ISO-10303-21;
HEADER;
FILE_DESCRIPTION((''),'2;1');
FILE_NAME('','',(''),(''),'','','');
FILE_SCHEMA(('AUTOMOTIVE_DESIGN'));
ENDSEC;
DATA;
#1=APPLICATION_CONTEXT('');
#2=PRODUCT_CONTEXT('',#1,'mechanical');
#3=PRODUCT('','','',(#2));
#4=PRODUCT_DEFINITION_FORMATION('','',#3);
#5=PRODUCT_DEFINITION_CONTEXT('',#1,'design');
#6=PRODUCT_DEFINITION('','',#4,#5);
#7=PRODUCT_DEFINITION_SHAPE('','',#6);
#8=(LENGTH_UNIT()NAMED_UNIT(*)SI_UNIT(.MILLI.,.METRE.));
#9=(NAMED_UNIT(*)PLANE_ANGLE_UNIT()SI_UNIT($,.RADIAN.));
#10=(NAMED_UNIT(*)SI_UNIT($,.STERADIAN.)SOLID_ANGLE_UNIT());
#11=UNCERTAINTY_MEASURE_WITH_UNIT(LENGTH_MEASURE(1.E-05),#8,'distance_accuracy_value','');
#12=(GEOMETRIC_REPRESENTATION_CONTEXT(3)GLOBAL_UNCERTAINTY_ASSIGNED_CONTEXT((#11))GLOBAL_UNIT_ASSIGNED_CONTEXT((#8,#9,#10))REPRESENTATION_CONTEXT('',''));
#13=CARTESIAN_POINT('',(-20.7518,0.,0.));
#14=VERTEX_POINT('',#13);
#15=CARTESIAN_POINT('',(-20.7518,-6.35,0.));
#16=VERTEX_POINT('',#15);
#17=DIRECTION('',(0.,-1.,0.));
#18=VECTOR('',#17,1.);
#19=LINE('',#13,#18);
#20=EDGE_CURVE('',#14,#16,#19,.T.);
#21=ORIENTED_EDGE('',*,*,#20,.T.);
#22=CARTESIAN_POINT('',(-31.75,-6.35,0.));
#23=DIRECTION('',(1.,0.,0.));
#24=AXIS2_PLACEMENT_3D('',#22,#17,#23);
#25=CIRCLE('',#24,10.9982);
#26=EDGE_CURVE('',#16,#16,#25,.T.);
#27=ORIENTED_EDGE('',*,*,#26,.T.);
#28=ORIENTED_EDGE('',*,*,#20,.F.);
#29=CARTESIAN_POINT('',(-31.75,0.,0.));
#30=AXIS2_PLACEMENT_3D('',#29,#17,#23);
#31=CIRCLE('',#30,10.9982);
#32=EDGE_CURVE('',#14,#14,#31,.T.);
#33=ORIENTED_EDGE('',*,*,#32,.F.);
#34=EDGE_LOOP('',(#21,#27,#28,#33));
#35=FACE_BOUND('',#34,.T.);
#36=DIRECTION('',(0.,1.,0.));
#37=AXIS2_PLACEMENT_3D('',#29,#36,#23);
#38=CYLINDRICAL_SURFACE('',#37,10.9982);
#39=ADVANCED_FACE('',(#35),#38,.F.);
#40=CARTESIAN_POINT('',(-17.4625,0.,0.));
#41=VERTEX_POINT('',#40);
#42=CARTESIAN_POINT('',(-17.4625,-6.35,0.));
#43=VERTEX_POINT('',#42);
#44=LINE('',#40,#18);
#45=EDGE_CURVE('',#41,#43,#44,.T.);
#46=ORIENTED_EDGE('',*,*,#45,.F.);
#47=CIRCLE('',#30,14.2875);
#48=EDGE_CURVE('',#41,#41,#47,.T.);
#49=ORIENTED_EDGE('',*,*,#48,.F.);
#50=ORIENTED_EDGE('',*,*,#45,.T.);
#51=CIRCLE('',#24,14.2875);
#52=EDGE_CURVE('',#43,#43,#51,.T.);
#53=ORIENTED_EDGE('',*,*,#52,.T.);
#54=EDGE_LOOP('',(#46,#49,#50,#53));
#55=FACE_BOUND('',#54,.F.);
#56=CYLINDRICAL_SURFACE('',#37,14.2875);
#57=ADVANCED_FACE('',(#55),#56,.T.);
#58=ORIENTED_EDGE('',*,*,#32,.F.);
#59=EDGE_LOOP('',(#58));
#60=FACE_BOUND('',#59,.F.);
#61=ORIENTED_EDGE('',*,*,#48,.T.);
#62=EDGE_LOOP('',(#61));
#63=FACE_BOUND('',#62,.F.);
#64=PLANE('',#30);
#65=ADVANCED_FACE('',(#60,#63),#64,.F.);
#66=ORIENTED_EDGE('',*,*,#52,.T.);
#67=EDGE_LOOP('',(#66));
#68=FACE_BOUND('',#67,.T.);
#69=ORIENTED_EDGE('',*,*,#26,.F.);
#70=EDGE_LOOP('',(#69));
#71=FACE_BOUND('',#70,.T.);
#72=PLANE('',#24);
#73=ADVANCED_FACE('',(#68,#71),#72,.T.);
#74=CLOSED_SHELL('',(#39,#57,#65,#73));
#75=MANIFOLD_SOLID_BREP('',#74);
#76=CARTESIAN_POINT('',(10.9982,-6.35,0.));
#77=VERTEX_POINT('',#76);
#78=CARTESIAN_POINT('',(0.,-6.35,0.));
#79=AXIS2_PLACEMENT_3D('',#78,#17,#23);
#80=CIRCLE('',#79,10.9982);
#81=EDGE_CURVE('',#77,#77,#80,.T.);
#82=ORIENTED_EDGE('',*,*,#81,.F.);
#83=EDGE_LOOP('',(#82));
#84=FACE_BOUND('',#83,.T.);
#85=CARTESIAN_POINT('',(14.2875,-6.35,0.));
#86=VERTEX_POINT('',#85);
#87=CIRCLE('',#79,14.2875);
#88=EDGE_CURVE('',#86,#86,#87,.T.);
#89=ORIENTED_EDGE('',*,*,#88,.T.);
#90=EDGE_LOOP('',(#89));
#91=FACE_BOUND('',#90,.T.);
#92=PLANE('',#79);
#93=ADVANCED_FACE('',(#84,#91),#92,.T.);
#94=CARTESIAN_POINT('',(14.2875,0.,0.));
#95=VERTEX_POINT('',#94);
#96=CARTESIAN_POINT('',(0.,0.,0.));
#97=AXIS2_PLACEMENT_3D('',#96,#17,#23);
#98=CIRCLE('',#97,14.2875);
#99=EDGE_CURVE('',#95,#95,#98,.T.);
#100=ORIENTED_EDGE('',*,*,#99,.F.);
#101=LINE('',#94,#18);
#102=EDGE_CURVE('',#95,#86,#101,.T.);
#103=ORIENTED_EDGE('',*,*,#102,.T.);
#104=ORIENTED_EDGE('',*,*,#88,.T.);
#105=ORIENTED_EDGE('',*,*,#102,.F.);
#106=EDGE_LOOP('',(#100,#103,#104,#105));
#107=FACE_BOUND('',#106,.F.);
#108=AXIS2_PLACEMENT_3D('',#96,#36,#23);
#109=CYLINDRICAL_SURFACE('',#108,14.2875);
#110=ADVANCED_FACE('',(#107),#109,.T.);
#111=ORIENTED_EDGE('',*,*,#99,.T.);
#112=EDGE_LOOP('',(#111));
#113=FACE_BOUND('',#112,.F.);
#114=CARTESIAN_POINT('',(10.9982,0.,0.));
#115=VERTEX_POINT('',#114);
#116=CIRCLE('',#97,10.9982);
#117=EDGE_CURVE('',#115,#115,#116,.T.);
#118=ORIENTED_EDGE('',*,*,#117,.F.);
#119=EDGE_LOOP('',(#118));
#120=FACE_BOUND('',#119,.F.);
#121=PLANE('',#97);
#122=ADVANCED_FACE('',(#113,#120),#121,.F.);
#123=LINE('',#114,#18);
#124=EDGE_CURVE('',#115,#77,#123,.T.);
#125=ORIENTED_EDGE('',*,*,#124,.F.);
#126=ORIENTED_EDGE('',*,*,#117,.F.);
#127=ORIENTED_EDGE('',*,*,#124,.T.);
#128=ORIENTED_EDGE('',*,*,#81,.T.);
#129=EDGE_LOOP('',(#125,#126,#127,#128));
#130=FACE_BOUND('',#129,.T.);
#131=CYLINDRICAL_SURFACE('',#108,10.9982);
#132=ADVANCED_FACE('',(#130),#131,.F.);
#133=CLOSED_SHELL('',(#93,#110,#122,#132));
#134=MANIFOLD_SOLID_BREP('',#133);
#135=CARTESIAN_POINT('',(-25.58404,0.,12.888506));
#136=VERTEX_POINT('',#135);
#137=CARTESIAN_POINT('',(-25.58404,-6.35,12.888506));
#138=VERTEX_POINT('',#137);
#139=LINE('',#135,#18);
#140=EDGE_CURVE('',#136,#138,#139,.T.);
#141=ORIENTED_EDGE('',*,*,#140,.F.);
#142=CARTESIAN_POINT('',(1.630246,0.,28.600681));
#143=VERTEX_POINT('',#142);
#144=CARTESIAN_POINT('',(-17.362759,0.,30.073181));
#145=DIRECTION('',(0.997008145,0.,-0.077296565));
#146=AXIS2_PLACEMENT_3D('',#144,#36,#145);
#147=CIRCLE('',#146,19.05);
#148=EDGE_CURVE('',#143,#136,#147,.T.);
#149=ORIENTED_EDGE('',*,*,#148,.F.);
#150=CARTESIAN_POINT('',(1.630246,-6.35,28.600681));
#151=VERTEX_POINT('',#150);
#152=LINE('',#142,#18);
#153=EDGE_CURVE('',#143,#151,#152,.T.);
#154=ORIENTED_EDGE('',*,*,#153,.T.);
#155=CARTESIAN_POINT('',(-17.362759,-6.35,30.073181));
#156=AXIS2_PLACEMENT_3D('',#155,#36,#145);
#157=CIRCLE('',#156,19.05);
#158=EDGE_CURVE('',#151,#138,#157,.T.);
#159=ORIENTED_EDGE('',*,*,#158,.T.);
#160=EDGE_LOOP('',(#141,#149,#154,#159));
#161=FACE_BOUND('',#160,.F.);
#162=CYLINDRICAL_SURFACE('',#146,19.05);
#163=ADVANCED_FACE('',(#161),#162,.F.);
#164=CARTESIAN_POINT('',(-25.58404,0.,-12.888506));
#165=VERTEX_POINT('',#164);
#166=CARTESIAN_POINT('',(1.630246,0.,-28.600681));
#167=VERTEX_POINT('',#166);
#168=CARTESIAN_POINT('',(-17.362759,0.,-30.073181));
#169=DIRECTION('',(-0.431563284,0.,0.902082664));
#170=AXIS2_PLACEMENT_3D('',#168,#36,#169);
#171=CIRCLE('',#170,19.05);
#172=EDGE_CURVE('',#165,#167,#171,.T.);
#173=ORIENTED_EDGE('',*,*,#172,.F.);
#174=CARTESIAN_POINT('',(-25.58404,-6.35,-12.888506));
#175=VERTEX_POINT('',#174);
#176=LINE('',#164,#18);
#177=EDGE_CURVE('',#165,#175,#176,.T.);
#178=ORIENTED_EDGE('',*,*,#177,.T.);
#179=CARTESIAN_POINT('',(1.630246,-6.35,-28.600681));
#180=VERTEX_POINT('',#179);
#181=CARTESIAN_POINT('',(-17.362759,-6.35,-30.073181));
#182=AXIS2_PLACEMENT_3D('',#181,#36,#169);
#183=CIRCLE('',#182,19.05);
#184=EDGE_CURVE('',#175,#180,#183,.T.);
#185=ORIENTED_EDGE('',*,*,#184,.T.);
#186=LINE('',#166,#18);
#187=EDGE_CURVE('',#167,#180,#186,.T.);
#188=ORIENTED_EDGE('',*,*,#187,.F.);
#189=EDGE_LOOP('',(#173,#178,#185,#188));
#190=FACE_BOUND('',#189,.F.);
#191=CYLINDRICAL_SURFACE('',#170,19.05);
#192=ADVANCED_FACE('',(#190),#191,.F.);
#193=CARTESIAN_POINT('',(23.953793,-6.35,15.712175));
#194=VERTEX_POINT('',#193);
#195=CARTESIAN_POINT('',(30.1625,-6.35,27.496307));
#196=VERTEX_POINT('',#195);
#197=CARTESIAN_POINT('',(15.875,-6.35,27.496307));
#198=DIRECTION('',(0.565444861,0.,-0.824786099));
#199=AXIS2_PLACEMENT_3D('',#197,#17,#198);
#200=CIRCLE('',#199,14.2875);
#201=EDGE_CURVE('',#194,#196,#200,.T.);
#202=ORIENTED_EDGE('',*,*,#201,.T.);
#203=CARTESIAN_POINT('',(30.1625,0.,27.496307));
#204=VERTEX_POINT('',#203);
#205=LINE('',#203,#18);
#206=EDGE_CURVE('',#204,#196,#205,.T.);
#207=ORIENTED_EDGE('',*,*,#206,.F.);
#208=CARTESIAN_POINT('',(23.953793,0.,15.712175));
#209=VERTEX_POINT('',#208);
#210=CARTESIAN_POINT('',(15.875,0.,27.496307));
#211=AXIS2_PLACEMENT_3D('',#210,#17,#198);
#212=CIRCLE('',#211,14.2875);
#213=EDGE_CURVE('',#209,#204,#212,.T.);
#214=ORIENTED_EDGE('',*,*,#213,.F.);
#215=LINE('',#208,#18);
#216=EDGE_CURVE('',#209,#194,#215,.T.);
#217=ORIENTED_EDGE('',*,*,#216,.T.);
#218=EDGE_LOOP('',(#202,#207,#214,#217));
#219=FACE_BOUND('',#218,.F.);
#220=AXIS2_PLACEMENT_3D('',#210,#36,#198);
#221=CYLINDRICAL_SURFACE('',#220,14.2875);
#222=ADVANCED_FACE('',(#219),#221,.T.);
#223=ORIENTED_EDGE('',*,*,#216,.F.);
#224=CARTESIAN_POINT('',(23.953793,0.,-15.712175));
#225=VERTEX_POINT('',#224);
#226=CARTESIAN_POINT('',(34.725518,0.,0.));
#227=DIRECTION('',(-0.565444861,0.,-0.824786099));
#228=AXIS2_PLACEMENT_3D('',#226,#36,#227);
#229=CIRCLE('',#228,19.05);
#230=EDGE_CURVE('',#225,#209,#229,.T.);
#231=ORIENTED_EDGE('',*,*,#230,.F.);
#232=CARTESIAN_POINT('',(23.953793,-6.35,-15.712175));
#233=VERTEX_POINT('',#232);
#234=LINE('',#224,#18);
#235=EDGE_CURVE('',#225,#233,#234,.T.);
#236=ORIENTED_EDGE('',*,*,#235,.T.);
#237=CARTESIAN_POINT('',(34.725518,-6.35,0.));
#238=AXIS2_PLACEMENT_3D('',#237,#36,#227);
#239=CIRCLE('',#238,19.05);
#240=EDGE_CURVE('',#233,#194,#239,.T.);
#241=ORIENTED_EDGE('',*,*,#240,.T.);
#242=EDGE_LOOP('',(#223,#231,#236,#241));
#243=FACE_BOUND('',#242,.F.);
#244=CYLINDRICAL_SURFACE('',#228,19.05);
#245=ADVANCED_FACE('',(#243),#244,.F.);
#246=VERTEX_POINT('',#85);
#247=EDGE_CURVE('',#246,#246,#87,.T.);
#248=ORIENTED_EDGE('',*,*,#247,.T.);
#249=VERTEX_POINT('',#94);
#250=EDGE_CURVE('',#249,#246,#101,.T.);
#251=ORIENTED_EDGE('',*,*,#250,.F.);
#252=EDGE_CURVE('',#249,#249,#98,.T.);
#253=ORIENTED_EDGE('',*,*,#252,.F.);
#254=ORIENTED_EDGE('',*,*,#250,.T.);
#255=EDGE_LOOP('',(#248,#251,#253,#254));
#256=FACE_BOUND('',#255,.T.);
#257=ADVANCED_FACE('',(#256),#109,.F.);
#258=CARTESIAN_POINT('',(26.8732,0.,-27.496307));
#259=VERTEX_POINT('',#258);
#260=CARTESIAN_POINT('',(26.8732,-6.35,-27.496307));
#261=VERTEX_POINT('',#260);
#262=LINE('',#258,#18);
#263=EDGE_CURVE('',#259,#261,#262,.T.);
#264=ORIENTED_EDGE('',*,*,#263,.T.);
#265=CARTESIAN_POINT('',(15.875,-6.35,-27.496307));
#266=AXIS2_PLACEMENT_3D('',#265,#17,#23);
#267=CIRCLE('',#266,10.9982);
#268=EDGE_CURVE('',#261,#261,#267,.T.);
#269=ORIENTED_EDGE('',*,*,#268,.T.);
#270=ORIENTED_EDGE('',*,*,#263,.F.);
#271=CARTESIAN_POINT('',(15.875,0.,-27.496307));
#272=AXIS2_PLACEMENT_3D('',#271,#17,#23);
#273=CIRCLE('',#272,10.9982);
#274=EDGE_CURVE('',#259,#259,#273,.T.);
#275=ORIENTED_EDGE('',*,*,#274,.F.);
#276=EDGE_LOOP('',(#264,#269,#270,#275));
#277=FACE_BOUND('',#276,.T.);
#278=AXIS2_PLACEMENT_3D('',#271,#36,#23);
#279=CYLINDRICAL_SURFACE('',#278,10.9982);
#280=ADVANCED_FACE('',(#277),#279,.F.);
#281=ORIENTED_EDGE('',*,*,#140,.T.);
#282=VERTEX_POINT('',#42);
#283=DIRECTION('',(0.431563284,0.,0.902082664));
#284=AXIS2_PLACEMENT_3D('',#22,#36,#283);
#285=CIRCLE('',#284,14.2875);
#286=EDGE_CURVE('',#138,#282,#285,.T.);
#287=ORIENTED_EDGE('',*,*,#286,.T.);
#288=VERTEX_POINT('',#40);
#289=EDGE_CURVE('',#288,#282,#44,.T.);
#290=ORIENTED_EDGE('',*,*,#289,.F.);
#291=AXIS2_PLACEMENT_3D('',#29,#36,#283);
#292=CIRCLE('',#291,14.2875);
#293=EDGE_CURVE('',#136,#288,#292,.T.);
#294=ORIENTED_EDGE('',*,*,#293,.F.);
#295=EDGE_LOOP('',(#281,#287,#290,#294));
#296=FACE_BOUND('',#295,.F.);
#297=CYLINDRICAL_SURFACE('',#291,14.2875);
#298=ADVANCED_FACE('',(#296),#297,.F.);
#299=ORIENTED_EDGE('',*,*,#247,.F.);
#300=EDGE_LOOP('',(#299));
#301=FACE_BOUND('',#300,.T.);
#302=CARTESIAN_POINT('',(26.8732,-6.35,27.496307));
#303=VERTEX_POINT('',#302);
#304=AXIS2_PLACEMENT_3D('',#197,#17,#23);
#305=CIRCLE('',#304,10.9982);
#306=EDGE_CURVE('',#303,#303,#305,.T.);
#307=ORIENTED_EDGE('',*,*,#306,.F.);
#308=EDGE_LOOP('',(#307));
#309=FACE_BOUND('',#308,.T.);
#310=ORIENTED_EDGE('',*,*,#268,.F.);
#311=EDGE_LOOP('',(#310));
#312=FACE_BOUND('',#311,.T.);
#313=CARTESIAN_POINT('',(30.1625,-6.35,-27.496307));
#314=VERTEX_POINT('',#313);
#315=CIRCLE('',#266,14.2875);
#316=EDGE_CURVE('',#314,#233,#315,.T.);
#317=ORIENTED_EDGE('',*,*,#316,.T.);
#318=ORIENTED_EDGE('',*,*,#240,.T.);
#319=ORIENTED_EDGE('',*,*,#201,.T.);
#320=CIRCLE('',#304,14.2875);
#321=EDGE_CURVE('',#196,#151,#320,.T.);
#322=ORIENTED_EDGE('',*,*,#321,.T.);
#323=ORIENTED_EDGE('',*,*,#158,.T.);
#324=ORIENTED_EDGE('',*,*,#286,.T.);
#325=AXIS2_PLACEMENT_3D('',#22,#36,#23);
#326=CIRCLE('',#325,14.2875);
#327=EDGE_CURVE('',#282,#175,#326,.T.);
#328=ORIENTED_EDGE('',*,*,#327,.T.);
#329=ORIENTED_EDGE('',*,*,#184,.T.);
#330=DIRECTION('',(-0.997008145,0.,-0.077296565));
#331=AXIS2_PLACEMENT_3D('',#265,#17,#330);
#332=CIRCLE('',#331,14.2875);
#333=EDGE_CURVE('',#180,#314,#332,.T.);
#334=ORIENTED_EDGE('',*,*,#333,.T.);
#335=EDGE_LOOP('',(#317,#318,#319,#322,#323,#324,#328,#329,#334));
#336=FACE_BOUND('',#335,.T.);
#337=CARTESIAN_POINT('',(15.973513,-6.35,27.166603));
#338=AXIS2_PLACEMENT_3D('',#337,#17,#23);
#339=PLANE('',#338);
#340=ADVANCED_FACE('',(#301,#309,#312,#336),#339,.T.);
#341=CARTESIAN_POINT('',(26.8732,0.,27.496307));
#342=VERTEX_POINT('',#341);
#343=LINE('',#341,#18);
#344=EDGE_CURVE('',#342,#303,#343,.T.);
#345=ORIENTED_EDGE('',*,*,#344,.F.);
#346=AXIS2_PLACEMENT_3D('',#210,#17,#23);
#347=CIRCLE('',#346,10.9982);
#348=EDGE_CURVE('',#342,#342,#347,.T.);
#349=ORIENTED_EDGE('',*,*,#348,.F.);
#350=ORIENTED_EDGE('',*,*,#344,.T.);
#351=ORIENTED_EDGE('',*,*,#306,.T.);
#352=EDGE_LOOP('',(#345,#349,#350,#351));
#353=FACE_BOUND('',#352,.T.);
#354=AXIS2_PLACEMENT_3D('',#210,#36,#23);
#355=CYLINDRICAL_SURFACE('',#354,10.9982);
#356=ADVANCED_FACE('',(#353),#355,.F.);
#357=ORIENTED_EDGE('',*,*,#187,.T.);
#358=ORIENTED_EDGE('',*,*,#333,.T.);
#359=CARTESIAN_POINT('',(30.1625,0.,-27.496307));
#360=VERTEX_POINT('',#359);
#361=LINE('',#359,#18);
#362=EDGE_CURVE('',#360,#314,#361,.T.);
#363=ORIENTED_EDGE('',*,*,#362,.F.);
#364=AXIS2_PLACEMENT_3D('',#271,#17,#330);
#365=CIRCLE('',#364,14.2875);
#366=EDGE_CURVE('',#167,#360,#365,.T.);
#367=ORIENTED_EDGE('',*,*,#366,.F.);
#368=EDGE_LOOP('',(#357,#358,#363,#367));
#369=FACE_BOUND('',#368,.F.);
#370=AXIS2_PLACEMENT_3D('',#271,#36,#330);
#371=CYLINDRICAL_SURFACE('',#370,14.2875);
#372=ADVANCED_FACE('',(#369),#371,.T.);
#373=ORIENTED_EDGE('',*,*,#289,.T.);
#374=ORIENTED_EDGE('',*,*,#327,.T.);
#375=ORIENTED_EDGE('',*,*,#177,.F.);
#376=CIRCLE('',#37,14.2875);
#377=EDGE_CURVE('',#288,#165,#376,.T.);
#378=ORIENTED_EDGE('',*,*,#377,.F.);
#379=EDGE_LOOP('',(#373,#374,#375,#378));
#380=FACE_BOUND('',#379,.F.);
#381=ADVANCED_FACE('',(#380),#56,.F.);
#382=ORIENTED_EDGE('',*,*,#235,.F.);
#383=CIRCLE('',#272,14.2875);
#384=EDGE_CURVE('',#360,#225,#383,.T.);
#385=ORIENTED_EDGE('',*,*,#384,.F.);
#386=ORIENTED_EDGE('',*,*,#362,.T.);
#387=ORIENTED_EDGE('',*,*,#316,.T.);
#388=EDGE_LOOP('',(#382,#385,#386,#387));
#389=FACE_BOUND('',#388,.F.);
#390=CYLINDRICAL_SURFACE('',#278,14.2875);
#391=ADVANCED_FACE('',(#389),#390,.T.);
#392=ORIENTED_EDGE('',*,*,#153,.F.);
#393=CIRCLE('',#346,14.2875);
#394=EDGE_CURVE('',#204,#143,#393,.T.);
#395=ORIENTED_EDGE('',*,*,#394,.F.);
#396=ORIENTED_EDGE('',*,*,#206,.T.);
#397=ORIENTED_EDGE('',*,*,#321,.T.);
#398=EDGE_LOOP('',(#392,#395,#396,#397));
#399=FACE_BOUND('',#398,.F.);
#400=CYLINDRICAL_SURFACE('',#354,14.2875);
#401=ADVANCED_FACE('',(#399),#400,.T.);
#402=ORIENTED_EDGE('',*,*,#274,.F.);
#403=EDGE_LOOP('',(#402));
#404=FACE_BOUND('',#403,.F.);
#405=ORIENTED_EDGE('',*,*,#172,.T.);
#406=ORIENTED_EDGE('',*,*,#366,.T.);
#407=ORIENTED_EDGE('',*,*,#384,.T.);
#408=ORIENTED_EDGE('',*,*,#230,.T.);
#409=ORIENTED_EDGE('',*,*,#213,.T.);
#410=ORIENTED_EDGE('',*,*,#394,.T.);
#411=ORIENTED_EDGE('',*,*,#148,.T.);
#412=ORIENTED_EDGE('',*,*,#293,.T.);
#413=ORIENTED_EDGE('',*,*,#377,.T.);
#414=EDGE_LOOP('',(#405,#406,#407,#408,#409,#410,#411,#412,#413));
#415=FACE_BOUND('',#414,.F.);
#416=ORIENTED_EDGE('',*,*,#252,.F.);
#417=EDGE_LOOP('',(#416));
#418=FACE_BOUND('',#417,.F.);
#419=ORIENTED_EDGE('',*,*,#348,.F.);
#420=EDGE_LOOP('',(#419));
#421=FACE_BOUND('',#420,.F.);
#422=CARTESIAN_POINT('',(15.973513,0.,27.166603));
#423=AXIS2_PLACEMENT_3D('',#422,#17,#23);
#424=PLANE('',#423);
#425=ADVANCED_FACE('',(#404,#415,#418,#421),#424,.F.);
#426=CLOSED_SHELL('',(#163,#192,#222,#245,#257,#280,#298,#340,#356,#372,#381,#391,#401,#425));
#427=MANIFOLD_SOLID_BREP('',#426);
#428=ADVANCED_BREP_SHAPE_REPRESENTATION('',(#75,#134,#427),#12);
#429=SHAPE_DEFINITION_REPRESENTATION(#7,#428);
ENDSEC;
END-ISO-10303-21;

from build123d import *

# Parameters (mm, degrees)
F1_R     = 10.9982
F1_R_2   = 14.2875
F2_DEPTH = 6.35
F0_R     = 14.2875
F0_R_2   = 10.9982


with BuildPart() as f2:
    # F1 (on Front) → F2 (new body)
    with BuildSketch(Plane.XZ):
        with BuildLine():
            ThreePointArc((30.1625, 27.4963065702), (16.4276008155, 41.7731160383), (1.6302461293, 28.6006812411))
            ThreePointArc((1.6302461293, 28.6006812411), (8.73125, 15.1229686136), (23.9537934556, 15.7121751829))
            ThreePointArc((23.9537934556, 15.7121751829), (28.5153800921, 20.8364681805), (30.1625, 27.4963065702))
        make_face()
        with Locations((15.875, 27.4963065702)):
            Circle(F1_R, mode=Mode.SUBTRACT)
        with BuildLine():
            ThreePointArc((1.6302461293, 28.6006812411), (-7.8377590316, 13.5753968602), (-25.584039585, 12.8885060581))
            ThreePointArc((-25.584039585, 12.8885060581), (-19.6622207234, 7.6169710785), (-17.4625, 0))
            ThreePointArc((-17.4625, 0), (-19.6622207234, -7.6169710785), (-25.584039585, -12.8885060581))
            ThreePointArc((-25.584039585, -12.8885060581), (-7.8377590316, -13.5753968602), (1.6302461293, -28.6006812411))
            ThreePointArc((1.6302461293, -28.6006812411), (8.73125, -15.1229686136), (23.9537934556, -15.7121751829))
            ThreePointArc((23.9537934556, -15.7121751829), (15.6755180632, 0), (23.9537934556, 15.7121751829))
            ThreePointArc((23.9537934556, 15.7121751829), (8.73125, 15.1229686136), (1.6302461293, 28.6006812411))
        make_face()
        Circle(F1_R_2, mode=Mode.SUBTRACT)
        with BuildLine():
            ThreePointArc((23.9537934556, -15.7121751829), (8.73125, -15.1229686136), (1.6302461293, -28.6006812411))
            ThreePointArc((1.6302461293, -28.6006812411), (16.4276008155, -41.7731160383), (30.1625, -27.4963065702))
            ThreePointArc((30.1625, -27.4963065702), (28.5153800921, -20.8364681805), (23.9537934556, -15.7121751829))
        make_face()
        with Locations((15.875, -27.4963065702)):
            Circle(F1_R, mode=Mode.SUBTRACT)
    extrude(amount=F2_DEPTH)


with BuildPart() as f2b:
    # F0 (on Front) → F2, piece 2 (new body)
    with BuildSketch(Plane.XZ):
        Circle(F0_R)
        Circle(F0_R_2, mode=Mode.SUBTRACT)
    extrude(amount=F2_DEPTH)


with BuildPart() as f2c:
    # F0 (on Front) → F2, piece 3 (new body)
    with BuildSketch(Plane.XZ):
        with Locations((-31.75, 0)):
            Circle(F0_R)
        with Locations((-31.75, 0)):
            Circle(F0_R_2, mode=Mode.SUBTRACT)
    extrude(amount=F2_DEPTH)


solid = Compound([f2.part, f2b.part, f2c.part])
